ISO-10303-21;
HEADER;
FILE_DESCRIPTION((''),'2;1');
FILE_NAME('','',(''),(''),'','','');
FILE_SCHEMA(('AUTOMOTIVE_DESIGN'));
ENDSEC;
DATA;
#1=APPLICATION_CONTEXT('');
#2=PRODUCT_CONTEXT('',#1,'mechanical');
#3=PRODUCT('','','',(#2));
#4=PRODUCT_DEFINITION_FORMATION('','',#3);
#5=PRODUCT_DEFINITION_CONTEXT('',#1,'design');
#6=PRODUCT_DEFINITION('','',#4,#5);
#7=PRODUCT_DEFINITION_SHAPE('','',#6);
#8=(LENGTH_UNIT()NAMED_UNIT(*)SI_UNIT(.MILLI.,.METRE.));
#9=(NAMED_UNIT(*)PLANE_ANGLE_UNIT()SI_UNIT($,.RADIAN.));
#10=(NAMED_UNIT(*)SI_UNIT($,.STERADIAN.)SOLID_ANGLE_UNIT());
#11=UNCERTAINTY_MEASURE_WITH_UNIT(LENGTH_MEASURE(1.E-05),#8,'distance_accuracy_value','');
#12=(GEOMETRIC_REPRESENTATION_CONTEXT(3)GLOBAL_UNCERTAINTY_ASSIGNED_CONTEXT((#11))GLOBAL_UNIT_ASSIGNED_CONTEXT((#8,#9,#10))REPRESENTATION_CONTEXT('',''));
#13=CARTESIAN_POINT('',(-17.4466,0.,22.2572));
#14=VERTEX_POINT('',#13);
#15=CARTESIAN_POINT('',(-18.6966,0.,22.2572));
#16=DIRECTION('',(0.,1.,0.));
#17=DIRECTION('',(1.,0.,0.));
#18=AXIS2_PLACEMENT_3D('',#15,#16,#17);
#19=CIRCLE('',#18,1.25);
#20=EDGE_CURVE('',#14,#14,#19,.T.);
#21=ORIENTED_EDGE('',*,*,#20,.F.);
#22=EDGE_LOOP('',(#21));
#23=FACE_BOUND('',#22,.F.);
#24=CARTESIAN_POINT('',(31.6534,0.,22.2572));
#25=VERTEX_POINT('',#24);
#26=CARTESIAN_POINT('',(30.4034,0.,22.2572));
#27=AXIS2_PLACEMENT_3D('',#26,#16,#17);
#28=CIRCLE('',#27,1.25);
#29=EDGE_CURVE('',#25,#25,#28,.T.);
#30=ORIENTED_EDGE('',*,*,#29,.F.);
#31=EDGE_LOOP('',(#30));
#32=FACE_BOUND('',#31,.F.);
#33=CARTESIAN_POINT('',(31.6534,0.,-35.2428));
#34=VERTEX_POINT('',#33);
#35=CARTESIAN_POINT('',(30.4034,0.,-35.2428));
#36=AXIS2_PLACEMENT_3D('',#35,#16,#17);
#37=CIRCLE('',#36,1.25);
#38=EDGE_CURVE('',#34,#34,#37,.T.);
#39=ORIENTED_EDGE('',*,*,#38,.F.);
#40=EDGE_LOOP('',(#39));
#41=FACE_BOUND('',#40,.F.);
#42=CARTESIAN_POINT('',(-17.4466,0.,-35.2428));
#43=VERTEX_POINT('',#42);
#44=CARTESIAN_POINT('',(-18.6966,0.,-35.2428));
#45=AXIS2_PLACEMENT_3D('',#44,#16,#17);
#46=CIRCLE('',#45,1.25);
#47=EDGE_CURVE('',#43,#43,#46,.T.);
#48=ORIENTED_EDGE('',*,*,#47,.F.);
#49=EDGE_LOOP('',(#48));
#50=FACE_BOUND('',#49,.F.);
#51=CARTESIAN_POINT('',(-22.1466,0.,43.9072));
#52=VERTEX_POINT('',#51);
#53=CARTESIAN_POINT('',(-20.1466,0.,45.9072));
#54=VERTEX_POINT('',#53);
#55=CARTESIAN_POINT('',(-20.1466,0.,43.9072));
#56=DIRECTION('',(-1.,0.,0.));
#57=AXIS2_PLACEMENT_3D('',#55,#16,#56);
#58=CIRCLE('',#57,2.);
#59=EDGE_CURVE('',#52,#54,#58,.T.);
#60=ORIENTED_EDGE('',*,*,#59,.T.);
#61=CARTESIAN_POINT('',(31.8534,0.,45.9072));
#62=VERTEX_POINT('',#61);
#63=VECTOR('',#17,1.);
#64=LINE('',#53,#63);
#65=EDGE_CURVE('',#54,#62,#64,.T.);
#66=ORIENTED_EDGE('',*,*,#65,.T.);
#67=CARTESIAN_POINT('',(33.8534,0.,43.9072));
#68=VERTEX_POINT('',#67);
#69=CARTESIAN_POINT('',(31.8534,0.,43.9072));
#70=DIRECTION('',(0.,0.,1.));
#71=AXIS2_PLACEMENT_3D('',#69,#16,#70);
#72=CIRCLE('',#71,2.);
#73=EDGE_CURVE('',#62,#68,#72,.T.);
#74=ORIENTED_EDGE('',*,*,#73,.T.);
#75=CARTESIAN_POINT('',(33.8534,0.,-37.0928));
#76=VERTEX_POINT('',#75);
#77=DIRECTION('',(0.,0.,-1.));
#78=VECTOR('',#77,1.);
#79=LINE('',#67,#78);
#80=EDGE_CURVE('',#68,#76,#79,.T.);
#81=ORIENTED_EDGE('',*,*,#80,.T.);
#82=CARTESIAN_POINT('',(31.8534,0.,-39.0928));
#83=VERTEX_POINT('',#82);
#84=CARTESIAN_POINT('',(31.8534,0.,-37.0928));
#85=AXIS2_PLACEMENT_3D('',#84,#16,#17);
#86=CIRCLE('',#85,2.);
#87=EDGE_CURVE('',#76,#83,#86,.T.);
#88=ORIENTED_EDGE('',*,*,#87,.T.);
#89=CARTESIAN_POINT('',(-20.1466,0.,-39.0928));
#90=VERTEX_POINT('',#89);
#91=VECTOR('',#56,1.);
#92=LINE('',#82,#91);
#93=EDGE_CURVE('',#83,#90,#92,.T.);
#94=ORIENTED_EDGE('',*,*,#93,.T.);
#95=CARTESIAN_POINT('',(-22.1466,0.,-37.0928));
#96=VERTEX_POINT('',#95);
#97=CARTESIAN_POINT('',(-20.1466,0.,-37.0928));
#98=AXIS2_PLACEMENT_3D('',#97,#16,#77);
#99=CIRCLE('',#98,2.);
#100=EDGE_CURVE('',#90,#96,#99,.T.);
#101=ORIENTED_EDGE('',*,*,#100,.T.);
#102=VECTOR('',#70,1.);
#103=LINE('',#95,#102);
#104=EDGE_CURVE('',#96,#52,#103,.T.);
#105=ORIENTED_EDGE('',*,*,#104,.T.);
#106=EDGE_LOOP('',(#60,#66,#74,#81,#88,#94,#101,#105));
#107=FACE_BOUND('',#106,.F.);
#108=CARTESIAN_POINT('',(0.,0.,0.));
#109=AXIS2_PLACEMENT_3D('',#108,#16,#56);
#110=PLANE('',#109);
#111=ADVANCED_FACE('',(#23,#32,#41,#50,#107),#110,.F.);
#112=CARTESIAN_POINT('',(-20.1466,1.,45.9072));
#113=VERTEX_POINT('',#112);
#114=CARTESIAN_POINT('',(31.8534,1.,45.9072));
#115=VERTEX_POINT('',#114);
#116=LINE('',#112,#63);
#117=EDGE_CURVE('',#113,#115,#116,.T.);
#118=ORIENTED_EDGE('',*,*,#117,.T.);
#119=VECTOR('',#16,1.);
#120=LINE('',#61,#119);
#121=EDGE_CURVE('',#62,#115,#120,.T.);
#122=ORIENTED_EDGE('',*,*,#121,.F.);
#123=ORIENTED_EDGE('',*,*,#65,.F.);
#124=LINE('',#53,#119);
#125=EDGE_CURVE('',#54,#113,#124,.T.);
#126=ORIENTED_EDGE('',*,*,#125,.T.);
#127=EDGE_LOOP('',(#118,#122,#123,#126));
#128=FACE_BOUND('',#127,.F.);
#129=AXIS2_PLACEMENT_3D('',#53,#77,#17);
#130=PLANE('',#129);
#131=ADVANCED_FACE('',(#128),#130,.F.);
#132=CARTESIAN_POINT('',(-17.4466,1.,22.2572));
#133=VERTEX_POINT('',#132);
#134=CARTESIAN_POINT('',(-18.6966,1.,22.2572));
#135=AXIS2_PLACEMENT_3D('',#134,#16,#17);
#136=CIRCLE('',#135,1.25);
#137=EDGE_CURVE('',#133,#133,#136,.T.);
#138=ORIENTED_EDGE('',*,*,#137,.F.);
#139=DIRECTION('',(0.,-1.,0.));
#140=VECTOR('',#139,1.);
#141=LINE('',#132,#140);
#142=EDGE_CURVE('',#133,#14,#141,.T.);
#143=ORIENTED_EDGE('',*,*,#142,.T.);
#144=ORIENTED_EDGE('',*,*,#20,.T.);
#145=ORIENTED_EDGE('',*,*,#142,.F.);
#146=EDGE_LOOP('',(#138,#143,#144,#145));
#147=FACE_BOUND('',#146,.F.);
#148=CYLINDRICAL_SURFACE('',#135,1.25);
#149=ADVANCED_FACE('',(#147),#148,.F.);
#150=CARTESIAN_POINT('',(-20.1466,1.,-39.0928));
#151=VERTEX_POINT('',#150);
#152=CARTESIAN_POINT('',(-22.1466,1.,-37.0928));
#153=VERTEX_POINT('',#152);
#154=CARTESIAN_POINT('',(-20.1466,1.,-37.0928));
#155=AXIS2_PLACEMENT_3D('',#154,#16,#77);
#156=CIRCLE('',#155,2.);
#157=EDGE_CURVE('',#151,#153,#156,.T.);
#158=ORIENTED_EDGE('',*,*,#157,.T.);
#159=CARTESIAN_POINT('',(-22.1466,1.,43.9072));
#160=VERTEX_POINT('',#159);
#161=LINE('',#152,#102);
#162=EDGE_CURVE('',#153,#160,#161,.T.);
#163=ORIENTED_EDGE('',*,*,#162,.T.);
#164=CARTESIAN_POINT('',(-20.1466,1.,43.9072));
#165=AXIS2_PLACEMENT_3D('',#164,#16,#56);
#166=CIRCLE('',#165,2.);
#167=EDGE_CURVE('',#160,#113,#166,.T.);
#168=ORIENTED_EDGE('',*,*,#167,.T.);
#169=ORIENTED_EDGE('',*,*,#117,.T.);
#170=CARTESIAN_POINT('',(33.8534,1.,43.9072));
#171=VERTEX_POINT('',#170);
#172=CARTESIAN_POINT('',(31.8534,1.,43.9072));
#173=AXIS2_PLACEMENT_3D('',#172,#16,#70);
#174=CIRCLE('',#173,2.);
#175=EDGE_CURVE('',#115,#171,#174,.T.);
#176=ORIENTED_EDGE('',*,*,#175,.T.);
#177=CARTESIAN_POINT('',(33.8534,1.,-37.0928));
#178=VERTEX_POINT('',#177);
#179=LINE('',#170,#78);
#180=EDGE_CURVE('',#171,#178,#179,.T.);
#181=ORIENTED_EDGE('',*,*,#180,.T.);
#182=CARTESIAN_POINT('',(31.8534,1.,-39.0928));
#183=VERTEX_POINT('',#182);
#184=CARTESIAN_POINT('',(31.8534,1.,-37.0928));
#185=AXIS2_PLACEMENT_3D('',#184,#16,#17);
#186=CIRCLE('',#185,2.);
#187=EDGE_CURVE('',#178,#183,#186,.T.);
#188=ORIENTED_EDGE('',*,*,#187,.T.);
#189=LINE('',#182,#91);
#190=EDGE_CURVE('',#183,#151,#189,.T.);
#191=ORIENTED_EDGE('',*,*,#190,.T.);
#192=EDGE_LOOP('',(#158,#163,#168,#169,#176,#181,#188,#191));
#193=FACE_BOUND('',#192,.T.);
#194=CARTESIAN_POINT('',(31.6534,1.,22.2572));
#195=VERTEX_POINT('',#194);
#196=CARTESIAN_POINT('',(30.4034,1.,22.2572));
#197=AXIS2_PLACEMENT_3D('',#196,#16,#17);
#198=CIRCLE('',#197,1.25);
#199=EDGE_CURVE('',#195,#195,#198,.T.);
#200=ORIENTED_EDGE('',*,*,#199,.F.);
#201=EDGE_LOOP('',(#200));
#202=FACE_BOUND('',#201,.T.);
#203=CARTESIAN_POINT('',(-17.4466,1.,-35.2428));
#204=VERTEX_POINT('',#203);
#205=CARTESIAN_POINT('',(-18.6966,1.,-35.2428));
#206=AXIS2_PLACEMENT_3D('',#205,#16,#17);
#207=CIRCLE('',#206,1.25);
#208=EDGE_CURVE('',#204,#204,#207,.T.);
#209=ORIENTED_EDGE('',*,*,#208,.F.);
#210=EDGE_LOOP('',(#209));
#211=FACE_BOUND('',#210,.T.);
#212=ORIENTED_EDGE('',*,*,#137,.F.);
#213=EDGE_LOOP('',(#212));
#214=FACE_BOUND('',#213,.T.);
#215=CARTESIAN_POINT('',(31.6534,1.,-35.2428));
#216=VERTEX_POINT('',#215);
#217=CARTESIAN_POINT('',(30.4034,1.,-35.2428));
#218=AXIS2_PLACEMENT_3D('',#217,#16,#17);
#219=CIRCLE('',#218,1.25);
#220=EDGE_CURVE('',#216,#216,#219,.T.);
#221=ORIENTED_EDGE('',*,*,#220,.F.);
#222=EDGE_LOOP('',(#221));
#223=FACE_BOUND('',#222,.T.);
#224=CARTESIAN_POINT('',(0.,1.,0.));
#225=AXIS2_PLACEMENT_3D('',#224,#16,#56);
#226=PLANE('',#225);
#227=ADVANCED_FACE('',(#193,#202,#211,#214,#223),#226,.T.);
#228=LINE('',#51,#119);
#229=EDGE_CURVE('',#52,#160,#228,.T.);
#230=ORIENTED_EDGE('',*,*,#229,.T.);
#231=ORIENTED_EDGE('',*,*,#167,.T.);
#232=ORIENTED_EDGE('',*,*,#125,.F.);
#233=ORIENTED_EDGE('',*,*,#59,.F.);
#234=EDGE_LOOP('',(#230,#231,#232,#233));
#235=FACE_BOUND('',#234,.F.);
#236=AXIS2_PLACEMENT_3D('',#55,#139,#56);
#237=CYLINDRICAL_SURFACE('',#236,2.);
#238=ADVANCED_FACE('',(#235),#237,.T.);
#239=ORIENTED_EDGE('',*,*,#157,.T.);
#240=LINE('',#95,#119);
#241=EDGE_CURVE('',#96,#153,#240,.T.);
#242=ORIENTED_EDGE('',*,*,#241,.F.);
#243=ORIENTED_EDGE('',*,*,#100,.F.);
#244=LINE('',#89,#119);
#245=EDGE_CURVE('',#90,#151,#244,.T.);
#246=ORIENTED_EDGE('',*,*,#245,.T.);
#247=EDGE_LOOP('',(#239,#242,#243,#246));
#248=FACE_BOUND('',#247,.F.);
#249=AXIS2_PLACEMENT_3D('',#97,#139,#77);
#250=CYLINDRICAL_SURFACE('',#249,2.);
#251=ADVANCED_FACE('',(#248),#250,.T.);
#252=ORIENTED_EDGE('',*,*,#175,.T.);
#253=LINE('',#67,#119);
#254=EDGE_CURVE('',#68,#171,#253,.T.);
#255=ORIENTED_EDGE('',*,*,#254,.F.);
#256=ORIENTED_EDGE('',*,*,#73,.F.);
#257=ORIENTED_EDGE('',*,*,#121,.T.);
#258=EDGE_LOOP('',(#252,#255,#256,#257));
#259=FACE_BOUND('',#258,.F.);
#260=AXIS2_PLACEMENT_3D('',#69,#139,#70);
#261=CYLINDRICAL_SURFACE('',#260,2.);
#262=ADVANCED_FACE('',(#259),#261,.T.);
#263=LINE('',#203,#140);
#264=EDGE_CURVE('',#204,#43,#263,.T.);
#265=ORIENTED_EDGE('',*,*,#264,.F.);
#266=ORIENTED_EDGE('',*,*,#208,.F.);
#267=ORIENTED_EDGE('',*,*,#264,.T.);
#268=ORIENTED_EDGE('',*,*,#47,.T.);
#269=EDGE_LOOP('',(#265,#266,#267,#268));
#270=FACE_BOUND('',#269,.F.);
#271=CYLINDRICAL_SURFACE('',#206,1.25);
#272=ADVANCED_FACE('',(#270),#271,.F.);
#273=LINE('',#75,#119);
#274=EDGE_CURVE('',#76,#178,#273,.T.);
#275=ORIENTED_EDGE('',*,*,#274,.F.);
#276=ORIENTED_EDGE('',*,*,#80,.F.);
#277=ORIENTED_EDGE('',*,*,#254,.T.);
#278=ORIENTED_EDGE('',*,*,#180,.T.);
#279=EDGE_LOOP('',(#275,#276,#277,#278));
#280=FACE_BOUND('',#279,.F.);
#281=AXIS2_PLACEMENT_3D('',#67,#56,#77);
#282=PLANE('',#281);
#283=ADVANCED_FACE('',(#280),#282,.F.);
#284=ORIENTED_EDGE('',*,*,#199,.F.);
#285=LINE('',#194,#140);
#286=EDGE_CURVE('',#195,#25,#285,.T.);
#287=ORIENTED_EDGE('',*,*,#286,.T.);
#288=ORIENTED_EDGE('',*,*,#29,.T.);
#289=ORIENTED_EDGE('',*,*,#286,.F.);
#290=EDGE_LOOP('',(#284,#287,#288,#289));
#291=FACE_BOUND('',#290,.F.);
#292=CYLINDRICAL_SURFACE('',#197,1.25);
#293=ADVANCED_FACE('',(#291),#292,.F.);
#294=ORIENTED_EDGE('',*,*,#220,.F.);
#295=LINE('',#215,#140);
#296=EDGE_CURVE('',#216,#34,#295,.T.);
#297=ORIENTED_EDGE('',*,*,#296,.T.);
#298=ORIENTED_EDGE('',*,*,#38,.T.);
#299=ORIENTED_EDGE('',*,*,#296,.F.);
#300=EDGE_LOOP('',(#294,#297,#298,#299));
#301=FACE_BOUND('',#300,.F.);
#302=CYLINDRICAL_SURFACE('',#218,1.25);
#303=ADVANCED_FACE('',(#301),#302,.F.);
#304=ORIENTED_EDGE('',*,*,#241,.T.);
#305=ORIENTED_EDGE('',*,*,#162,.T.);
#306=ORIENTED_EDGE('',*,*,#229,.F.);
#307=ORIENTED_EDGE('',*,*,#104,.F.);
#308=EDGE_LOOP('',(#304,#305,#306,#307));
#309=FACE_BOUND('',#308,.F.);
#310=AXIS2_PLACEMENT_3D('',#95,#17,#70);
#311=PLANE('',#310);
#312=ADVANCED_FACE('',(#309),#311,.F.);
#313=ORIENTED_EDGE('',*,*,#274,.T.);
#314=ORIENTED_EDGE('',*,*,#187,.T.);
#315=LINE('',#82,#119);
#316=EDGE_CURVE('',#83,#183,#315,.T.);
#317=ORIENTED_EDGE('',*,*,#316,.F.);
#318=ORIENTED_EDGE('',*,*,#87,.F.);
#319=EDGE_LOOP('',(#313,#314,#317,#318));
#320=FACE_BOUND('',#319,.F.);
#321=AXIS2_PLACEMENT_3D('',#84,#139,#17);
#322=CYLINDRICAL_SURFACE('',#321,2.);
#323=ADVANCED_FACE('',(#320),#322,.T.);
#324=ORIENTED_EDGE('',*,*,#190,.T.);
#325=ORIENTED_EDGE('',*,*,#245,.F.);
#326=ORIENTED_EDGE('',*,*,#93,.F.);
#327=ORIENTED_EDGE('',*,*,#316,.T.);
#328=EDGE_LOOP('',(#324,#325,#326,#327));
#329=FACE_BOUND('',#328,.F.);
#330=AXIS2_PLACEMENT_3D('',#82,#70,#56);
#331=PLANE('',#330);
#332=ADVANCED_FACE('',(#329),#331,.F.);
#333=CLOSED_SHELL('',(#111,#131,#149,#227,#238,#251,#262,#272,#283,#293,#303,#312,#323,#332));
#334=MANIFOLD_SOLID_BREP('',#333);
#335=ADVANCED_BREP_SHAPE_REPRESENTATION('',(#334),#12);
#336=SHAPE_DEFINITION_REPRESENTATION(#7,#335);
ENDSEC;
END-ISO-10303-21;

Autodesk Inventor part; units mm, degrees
ref_plane "YZ Plane" through (0, 0, 0) normal (1, 0, 0) x (0, 1, 0)
ref_plane "XZ Plane" through (0, 0, 0) normal (0, 1, 0) x (-1, 0, 0)
ref_plane "XY Plane" through (0, 0, 0) normal (0, 0, 1) x (1, 0, 0)
sketch "Sketch1" plane through (0, 0, 0) normal (0, 1, 0) x (-1, 0, 0)
  line L0 (20.1466, 45.9072) -> (-31.8534, 45.9072)
  line L1 (-33.8534, 43.9072) -> (-33.8534, -37.0928)
  line L2 (-31.8534, -39.0928) -> (20.1466, -39.0928)
  line L3 (22.1466, -37.0928) -> (22.1466, 43.9072)
  arc A0 (22.1466, 43.9072) -> (20.1466, 45.9072) centre (20.1466, 43.9072) ccw
  arc A1 (20.1466, -39.0928) -> (22.1466, -37.0928) centre (20.1466, -37.0928) ccw
  arc A2 (-33.8534, -37.0928) -> (-31.8534, -39.0928) centre (-31.8534, -37.0928) ccw
  arc A3 (-31.8534, 45.9072) -> (-33.8534, 43.9072) centre (-31.8534, 43.9072) ccw
  point P0 (0, 0)
  point P1 (22.1466, 45.9072)
  point P2 (-33.8534, -39.0928)
  point P3 (-33.8534, 45.9072)
  point P4 (22.1466, -39.0928)
  dimension "d0" = 85
  dimension "d1" = 56
  dimension "d4" = 2
extrude "Extrusion1" add sketch "Sketch1" along normal blind 1
sketch "Sketch2" plane through (0, 1, 0) normal (0, 1, 0) x (1, 0, 0)
  circle A0 centre (-18.6966, 35.2428) radius 1.25
  line L0 (-22.1466, 37.0928) -> (-22.1466, -43.9072) projected
  line L1 (31.8534, 39.0928) -> (-20.1466, 39.0928) projected
  circle A1 centre (30.4034, 35.2428) radius 1.25
  circle A2 centre (-18.6966, -22.2572) radius 1.25
  circle A3 centre (30.4034, -22.2572) radius 1.25
  line L2 (33.8534, -43.9072) -> (33.8534, 37.0928) projected
  point P0 (0, 0)
  dimension "d5" = 2.5
  dimension "d6" = 3.45
  dimension "d7" = 3.85
  dimension "d8" = 2.5
  dimension "d9" = 3.85
  dimension "d10" = 3.45
  dimension "d11" = 2.5
  dimension "d12" = 3.45
  dimension "d13" = 57.5
  dimension "d14" = 57.5
  dimension "d15" = 2.5
  dimension "d16" = 3.45
extrude "Extrusion2" cut sketch "Sketch2" against normal up to next
equation "\"d8\" = d5"
equation "\"d9\" = d7"
equation "\"d10\" = d6"
equation "\"d11\" = d5"
equation "\"d12\" = d6"
equation "\"d14\" = d13"
equation "\"d15\" = d5"
equation "\"d16\" = d6"
properties part number "RasPI"
